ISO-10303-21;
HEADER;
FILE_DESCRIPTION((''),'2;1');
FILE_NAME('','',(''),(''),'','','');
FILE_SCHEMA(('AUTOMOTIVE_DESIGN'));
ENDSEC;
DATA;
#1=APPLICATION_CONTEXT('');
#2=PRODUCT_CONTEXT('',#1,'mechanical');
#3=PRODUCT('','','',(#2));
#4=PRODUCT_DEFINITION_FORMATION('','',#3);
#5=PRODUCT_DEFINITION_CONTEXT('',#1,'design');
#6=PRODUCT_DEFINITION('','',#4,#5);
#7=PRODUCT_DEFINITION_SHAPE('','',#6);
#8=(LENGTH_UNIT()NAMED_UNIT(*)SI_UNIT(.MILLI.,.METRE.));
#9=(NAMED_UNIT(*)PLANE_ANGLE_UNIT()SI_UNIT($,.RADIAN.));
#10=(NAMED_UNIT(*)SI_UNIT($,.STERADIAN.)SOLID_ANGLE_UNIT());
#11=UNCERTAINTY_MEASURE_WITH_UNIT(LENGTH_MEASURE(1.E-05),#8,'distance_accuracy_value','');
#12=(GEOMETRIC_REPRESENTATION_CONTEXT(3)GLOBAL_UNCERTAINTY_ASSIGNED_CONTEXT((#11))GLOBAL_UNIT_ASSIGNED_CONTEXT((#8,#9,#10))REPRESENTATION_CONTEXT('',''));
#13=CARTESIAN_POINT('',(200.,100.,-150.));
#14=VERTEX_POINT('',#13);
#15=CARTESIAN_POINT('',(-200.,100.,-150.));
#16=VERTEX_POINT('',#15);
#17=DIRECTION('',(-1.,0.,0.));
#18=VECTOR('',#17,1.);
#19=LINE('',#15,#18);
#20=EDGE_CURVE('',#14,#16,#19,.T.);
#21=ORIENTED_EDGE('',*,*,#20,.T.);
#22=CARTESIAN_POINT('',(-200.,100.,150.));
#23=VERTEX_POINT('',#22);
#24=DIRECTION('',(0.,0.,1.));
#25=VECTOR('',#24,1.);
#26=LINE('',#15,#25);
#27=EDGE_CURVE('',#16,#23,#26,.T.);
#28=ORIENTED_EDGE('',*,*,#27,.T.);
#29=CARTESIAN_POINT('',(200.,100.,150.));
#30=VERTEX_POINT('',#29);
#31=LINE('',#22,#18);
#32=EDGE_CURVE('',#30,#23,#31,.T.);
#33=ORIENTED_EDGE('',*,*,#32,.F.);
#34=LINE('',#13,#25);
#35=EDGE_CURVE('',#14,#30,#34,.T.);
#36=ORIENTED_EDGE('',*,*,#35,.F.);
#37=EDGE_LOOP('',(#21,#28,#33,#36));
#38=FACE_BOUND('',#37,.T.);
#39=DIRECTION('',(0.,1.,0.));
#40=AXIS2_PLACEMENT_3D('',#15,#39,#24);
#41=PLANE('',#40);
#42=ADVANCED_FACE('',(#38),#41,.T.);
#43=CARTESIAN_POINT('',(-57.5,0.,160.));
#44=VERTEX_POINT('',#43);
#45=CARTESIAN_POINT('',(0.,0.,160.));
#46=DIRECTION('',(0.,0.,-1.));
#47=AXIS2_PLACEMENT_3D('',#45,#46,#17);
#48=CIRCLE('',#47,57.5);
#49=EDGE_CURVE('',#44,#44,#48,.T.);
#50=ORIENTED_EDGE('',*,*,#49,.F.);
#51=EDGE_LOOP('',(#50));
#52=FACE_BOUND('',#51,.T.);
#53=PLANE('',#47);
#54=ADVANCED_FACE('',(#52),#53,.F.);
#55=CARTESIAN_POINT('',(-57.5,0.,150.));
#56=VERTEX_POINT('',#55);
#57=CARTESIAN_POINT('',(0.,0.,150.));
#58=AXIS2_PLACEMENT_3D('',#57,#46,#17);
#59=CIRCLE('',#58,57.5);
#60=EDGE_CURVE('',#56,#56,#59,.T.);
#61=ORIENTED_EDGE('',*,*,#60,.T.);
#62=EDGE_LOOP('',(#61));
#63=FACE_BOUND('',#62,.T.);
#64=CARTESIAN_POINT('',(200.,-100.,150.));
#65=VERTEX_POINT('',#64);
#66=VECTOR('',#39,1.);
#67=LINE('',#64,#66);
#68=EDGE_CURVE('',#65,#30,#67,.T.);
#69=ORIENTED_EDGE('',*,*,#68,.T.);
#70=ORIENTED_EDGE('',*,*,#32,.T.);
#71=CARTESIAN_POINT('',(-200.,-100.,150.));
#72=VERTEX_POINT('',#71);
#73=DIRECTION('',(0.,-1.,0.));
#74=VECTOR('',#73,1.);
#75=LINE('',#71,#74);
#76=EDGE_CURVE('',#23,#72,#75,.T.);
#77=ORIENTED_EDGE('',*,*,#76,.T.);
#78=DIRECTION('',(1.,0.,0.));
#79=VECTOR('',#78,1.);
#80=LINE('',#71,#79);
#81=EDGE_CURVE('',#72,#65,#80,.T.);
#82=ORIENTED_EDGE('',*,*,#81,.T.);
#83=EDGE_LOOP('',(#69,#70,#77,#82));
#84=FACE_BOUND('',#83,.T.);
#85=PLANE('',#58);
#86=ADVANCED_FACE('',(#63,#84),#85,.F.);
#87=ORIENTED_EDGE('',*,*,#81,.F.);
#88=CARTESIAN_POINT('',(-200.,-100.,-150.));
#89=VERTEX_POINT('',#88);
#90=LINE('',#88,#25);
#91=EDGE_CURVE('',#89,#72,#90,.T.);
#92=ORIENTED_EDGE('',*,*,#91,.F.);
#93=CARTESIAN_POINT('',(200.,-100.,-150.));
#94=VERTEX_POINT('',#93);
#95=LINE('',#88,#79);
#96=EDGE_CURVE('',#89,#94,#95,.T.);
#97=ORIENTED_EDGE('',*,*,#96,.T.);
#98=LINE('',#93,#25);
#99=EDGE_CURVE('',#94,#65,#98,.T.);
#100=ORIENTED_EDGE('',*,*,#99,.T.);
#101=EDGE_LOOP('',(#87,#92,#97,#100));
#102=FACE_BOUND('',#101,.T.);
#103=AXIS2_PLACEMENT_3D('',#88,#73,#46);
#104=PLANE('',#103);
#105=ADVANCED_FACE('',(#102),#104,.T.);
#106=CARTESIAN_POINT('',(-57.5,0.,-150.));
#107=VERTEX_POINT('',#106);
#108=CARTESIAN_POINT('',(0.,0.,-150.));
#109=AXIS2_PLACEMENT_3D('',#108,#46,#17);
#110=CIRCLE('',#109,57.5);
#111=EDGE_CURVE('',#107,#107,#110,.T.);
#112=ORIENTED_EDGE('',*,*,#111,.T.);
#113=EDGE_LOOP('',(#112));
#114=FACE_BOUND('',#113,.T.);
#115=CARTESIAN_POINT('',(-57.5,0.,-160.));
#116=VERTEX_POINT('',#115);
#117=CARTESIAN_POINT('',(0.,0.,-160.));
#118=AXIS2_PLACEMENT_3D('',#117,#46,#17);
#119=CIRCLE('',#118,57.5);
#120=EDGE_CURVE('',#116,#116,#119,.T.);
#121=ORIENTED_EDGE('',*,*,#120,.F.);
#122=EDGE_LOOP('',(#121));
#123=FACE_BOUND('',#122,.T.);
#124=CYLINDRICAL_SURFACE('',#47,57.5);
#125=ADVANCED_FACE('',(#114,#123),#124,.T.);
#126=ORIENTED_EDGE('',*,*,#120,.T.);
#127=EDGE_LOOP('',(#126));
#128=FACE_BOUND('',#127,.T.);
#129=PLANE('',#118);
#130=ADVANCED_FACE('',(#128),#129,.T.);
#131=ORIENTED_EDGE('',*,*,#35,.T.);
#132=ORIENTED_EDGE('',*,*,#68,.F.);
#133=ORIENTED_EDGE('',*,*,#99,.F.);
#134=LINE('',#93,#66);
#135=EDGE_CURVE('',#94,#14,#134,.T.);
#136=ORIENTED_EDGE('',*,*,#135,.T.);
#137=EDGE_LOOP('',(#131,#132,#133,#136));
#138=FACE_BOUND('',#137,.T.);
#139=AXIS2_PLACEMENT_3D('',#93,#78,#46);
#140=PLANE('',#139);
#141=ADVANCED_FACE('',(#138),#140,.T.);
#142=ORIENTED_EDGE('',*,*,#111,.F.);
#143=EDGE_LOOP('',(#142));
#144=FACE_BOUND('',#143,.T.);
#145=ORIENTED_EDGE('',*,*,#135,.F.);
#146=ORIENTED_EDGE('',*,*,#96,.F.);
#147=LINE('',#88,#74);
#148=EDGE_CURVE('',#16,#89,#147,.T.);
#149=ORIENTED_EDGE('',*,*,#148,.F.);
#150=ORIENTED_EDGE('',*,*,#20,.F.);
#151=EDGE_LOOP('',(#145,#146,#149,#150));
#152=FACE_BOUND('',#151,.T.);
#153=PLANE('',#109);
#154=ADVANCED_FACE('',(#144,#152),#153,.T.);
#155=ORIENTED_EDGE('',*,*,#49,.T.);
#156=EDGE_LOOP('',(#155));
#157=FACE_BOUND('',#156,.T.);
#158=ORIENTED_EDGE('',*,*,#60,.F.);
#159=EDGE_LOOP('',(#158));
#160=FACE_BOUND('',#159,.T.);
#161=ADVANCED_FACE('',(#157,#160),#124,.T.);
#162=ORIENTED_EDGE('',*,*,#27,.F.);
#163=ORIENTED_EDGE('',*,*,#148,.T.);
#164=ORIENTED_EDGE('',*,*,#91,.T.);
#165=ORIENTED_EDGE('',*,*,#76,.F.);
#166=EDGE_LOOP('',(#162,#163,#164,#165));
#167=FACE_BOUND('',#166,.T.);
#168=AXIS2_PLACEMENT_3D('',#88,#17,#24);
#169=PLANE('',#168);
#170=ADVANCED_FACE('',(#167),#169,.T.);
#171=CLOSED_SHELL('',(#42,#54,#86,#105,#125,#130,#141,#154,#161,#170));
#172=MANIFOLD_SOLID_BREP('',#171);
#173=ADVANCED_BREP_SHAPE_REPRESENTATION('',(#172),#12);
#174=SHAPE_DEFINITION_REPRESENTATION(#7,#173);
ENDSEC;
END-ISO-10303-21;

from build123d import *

# Parameters (mm, degrees)
BOSS_EXTRUDE1_DEPTH      = 150
BOSS_EXTRUDE1_DEPTH_BACK = 150
SKETCH1_W                = 400
SKETCH1_H                = 200
BOSS_EXTRUDE2_DEPTH      = 160
BOSS_EXTRUDE2_DEPTH_BACK = 160
SKETCH2_R                = 57.5


with BuildPart() as part:
    # Sketch1 → Boss-Extrude1 (new, two sides: drawn at the far end of the back side and taken through both)
    with BuildSketch(Plane.XY.offset(-BOSS_EXTRUDE1_DEPTH_BACK)):
        Rectangle(SKETCH1_W, SKETCH1_H)
    extrude(amount=BOSS_EXTRUDE1_DEPTH + BOSS_EXTRUDE1_DEPTH_BACK)

    # Sketch2 → Boss-Extrude2 (add, two sides: drawn at the far end of the back side and taken through both)
    with BuildSketch(Plane(origin=(0, 0, 0), x_dir=(-1, 0, 0), z_dir=(0, 0, -1)).offset(-BOSS_EXTRUDE2_DEPTH_BACK)):
        Circle(SKETCH2_R)
    extrude(amount=BOSS_EXTRUDE2_DEPTH + BOSS_EXTRUDE2_DEPTH_BACK)


solid = part.part
